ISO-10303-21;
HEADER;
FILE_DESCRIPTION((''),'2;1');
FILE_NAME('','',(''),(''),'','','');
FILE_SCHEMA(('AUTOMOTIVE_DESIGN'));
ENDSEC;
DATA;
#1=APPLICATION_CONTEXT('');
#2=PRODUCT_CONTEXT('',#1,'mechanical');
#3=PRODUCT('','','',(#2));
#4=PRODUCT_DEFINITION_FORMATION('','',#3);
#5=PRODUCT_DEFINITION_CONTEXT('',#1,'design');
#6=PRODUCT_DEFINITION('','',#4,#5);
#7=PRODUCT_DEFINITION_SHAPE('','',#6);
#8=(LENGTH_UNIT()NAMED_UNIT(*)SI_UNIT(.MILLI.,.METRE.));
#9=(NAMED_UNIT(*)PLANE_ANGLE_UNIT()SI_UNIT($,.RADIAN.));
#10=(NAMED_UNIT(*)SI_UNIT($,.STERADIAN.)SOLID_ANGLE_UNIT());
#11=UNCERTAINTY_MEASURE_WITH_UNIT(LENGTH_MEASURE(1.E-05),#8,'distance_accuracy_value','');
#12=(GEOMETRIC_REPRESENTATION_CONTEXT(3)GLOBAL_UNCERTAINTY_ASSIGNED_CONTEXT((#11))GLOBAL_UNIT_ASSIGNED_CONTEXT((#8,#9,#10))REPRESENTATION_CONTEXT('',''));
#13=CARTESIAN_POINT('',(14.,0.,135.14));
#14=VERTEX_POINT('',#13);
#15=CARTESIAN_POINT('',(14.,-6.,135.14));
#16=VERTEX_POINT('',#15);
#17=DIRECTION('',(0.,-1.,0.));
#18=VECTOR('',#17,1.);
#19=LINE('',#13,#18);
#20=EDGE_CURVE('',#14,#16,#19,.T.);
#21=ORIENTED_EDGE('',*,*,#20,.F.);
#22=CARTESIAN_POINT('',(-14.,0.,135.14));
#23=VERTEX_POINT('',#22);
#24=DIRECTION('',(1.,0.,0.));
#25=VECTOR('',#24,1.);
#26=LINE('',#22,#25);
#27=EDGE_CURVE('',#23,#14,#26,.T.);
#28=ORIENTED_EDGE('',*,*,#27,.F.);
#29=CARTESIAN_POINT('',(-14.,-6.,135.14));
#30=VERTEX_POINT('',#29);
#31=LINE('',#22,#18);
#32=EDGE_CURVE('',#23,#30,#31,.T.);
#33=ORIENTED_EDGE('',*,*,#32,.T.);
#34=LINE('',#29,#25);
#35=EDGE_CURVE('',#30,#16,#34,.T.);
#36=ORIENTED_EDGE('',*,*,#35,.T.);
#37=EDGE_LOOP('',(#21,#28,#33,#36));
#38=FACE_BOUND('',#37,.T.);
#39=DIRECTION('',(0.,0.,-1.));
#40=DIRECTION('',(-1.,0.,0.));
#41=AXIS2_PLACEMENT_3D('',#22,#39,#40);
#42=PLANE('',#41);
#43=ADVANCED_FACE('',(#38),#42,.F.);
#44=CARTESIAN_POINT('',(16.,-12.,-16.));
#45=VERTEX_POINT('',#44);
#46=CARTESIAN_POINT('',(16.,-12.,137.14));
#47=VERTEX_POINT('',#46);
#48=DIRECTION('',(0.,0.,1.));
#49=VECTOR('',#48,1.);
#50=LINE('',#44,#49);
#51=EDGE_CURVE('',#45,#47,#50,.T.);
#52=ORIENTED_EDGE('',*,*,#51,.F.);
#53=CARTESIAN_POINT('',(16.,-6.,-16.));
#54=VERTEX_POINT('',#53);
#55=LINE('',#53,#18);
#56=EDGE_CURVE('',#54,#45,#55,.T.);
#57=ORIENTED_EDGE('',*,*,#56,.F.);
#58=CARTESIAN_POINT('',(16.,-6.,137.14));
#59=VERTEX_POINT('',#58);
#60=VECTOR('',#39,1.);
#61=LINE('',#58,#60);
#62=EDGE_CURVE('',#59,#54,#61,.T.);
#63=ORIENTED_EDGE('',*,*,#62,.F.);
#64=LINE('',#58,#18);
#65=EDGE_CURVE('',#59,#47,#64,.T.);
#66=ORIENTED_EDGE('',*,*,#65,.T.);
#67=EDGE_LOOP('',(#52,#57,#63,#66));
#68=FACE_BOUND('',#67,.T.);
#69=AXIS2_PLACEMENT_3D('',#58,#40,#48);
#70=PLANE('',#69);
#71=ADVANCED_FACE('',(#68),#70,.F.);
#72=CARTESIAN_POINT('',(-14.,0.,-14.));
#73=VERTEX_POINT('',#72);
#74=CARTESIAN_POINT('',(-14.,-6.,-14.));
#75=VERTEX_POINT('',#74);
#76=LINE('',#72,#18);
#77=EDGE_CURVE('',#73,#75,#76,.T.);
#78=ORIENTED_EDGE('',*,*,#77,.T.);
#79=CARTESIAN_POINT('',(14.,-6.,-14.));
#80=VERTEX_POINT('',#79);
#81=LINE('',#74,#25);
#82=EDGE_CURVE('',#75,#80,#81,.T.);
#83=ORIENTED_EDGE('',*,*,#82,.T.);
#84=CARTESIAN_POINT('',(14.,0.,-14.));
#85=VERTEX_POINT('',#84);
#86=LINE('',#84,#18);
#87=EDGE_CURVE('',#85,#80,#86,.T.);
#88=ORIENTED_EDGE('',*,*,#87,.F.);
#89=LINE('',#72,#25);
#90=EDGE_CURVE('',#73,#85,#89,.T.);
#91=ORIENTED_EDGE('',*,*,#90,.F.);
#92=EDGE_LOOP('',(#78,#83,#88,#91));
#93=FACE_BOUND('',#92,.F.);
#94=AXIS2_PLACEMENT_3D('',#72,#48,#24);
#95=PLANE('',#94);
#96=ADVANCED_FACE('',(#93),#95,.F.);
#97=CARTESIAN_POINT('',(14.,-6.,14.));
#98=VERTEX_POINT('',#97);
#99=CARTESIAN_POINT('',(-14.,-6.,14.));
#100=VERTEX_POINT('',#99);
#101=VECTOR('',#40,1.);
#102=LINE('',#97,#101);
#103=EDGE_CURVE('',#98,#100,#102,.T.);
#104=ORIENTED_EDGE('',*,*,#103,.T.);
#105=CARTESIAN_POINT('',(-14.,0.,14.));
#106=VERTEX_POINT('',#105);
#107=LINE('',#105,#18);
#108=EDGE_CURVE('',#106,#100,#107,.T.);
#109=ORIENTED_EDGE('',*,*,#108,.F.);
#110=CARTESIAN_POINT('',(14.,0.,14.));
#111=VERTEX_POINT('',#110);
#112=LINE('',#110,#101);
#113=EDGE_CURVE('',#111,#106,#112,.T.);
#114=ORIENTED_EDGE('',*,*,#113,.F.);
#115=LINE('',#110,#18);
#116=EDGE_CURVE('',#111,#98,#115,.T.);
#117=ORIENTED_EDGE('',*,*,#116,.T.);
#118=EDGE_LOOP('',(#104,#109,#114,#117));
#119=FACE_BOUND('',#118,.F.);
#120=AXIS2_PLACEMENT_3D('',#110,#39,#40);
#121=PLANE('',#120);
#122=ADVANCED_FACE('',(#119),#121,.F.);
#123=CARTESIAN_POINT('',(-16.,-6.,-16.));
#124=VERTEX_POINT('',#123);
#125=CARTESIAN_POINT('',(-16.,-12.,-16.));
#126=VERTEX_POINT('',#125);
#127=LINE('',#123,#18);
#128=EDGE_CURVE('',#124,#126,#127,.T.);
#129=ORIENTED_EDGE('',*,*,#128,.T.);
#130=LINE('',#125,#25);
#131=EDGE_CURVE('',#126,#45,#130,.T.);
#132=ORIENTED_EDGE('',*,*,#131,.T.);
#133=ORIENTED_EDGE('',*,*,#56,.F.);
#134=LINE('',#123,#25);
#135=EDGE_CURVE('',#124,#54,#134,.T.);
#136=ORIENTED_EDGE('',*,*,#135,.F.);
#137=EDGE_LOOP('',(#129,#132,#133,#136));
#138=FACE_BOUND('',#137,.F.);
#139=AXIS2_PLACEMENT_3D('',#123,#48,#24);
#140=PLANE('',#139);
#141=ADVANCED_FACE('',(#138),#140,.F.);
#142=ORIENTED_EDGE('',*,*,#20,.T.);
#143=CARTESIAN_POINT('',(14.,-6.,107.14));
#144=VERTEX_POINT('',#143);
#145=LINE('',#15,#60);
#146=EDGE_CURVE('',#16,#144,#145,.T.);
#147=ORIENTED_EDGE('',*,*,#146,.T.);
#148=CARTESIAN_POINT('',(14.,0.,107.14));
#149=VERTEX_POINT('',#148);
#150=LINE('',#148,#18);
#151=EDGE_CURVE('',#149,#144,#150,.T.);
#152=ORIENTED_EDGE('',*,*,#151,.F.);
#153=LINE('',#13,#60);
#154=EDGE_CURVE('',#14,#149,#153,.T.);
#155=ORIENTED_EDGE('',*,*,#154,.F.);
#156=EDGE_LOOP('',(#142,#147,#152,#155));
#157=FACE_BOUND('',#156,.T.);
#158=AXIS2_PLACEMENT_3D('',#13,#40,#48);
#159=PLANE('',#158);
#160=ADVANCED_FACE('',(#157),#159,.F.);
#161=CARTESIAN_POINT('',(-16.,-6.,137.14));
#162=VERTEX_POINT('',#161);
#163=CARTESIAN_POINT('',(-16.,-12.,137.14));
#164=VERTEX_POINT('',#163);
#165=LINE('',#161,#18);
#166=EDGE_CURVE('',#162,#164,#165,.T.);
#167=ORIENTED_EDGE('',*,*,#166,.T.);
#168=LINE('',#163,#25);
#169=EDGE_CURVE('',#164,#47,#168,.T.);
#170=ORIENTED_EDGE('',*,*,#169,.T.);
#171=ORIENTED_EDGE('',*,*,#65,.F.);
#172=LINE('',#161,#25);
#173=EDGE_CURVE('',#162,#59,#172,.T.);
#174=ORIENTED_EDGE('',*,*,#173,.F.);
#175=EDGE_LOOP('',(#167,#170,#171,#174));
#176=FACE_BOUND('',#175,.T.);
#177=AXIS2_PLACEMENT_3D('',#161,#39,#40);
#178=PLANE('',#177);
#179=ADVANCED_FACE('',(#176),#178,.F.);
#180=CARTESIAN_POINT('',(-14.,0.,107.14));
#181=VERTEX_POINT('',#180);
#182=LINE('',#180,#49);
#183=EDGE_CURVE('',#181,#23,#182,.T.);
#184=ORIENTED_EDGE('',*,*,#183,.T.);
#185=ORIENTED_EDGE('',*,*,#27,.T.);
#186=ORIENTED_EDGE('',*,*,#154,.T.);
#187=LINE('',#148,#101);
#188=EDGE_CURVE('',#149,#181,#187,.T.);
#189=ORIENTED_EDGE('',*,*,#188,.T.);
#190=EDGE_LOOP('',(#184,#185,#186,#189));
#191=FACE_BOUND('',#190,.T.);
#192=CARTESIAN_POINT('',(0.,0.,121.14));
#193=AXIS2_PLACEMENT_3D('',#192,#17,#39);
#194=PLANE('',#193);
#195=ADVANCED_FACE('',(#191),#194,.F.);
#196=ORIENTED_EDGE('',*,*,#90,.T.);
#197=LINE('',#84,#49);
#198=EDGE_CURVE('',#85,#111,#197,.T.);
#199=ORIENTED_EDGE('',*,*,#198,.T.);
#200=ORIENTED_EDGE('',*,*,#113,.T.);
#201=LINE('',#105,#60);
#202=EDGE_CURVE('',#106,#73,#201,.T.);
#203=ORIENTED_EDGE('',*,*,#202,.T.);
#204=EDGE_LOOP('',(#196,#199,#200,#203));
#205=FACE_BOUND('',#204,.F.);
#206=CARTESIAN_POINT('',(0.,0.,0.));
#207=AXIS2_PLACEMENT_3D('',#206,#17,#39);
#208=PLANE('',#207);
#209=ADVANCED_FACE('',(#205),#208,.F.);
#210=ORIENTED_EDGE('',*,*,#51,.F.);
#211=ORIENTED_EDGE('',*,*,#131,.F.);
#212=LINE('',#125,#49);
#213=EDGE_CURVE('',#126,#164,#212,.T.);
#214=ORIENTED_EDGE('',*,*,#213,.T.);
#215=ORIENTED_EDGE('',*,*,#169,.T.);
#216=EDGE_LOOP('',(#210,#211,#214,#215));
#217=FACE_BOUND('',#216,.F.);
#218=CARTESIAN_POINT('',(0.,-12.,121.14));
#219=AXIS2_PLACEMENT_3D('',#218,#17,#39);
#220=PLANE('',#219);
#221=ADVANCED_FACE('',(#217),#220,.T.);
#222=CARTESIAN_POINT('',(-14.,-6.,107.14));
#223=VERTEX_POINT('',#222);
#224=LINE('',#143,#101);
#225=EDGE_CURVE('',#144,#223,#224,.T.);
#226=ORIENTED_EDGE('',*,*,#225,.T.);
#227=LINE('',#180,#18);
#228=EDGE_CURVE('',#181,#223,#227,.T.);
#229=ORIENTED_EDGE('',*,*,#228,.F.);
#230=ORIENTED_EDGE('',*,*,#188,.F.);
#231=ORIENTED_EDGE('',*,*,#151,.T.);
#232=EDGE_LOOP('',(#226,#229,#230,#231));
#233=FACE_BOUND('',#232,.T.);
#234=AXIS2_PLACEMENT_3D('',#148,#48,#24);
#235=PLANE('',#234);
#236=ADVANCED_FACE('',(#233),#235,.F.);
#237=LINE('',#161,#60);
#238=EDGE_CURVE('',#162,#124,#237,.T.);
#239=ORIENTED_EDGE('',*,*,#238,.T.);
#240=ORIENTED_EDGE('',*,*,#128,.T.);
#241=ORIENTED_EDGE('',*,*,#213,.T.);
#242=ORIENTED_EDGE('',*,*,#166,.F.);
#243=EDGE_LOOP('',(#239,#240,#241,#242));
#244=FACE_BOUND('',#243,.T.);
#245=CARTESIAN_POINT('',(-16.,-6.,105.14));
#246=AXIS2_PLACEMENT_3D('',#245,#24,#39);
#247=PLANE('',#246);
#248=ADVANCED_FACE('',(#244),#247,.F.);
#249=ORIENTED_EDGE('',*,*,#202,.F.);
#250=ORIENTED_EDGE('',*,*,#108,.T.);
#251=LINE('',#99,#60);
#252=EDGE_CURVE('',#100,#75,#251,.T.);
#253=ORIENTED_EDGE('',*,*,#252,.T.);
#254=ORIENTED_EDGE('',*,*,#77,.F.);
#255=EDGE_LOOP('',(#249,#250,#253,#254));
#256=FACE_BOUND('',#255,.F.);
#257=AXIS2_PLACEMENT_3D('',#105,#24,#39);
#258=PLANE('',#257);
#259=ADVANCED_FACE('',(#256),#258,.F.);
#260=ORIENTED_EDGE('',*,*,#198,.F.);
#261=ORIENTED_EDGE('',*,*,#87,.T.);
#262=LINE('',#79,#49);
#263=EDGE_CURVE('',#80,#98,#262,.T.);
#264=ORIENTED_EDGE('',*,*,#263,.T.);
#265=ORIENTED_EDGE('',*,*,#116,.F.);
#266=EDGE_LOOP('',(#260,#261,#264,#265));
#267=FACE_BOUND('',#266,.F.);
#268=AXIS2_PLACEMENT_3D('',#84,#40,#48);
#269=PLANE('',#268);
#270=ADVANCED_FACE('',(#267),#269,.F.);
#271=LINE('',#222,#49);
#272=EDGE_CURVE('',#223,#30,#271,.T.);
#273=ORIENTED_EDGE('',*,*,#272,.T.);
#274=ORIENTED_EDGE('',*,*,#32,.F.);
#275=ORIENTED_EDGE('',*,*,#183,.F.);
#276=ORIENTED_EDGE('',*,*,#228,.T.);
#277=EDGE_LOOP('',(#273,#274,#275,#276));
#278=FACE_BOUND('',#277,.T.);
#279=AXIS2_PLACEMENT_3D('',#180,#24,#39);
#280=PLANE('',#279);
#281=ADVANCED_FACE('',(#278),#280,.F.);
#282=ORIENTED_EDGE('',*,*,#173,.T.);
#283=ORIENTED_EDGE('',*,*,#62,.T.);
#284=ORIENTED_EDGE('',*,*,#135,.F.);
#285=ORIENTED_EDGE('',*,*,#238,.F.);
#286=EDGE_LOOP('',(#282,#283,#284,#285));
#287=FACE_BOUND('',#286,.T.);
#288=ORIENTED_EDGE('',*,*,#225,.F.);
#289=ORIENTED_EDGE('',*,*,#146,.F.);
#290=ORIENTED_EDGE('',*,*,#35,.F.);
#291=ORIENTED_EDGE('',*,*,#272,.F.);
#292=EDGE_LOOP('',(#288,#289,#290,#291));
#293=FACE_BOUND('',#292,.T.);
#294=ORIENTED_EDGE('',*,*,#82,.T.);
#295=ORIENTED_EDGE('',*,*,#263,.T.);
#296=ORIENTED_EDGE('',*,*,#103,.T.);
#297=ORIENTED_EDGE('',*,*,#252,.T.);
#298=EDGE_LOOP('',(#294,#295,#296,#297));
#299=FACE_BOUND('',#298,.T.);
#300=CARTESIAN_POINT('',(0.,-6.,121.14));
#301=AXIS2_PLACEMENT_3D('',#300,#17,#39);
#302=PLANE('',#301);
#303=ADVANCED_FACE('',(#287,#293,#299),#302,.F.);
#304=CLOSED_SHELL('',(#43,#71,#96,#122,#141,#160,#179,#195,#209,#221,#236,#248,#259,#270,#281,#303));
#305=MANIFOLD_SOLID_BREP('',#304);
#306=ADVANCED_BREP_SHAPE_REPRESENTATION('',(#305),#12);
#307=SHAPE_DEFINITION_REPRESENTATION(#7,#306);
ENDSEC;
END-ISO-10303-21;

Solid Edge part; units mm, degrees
sketch "Sketch1" plane through (0, 0, 0) normal (0, -1, 0) x (1, 0, 0)
  line L0 (14, -14) -> (14, 14)
  line L1 (14, 14) -> (-14, 14)
  line L2 (-14, 14) -> (-14, -14)
  line L3 (-14, -14) -> (14, -14)
extrude "Protrusion1" add sketch "Sketch1" along normal blind 6
sketch "Sketch2" plane through (0, -6, 0) normal (0, -1, 0) x (1, 0, 0)
  line L0 (16, 16) -> (-16, 16)
  line L1 (-16, 16) -> (-16, -16)
  line L2 (-16, -16) -> (16, -16)
  line L3 (16, -16) -> (16, 16)
  dimension "D1" = 2
extrude "ExtrudedProtrusion_2" add sketch "Sketch2" along normal blind 6
sketch "Sketch3" plane through (0, -9, 16) normal (0, 0, 1) x (-1, 0, 0)
  line L0 (16, 3) -> (16, -3)
  line L1 (16, -3) -> (-16, -3)
  line L2 (-16, -3) -> (-16, 3)
  line L3 (-16, 3) -> (16, 3)
extrude "ExtrudedProtrusion_3" add sketch "Sketch3" along normal blind 44.57
mirror "Mirror1" about plane through (0, -9, 60.57) normal (0, 0, 1) of "Protrusion1", "ExtrudedProtrusion_2", "ExtrudedProtrusion_3"
mirror "Mirror2" about plane through (0, -9, 60.57) normal (0, 0, 1) of "Protrusion1", "ExtrudedProtrusion_3", "ExtrudedProtrusion_2"
